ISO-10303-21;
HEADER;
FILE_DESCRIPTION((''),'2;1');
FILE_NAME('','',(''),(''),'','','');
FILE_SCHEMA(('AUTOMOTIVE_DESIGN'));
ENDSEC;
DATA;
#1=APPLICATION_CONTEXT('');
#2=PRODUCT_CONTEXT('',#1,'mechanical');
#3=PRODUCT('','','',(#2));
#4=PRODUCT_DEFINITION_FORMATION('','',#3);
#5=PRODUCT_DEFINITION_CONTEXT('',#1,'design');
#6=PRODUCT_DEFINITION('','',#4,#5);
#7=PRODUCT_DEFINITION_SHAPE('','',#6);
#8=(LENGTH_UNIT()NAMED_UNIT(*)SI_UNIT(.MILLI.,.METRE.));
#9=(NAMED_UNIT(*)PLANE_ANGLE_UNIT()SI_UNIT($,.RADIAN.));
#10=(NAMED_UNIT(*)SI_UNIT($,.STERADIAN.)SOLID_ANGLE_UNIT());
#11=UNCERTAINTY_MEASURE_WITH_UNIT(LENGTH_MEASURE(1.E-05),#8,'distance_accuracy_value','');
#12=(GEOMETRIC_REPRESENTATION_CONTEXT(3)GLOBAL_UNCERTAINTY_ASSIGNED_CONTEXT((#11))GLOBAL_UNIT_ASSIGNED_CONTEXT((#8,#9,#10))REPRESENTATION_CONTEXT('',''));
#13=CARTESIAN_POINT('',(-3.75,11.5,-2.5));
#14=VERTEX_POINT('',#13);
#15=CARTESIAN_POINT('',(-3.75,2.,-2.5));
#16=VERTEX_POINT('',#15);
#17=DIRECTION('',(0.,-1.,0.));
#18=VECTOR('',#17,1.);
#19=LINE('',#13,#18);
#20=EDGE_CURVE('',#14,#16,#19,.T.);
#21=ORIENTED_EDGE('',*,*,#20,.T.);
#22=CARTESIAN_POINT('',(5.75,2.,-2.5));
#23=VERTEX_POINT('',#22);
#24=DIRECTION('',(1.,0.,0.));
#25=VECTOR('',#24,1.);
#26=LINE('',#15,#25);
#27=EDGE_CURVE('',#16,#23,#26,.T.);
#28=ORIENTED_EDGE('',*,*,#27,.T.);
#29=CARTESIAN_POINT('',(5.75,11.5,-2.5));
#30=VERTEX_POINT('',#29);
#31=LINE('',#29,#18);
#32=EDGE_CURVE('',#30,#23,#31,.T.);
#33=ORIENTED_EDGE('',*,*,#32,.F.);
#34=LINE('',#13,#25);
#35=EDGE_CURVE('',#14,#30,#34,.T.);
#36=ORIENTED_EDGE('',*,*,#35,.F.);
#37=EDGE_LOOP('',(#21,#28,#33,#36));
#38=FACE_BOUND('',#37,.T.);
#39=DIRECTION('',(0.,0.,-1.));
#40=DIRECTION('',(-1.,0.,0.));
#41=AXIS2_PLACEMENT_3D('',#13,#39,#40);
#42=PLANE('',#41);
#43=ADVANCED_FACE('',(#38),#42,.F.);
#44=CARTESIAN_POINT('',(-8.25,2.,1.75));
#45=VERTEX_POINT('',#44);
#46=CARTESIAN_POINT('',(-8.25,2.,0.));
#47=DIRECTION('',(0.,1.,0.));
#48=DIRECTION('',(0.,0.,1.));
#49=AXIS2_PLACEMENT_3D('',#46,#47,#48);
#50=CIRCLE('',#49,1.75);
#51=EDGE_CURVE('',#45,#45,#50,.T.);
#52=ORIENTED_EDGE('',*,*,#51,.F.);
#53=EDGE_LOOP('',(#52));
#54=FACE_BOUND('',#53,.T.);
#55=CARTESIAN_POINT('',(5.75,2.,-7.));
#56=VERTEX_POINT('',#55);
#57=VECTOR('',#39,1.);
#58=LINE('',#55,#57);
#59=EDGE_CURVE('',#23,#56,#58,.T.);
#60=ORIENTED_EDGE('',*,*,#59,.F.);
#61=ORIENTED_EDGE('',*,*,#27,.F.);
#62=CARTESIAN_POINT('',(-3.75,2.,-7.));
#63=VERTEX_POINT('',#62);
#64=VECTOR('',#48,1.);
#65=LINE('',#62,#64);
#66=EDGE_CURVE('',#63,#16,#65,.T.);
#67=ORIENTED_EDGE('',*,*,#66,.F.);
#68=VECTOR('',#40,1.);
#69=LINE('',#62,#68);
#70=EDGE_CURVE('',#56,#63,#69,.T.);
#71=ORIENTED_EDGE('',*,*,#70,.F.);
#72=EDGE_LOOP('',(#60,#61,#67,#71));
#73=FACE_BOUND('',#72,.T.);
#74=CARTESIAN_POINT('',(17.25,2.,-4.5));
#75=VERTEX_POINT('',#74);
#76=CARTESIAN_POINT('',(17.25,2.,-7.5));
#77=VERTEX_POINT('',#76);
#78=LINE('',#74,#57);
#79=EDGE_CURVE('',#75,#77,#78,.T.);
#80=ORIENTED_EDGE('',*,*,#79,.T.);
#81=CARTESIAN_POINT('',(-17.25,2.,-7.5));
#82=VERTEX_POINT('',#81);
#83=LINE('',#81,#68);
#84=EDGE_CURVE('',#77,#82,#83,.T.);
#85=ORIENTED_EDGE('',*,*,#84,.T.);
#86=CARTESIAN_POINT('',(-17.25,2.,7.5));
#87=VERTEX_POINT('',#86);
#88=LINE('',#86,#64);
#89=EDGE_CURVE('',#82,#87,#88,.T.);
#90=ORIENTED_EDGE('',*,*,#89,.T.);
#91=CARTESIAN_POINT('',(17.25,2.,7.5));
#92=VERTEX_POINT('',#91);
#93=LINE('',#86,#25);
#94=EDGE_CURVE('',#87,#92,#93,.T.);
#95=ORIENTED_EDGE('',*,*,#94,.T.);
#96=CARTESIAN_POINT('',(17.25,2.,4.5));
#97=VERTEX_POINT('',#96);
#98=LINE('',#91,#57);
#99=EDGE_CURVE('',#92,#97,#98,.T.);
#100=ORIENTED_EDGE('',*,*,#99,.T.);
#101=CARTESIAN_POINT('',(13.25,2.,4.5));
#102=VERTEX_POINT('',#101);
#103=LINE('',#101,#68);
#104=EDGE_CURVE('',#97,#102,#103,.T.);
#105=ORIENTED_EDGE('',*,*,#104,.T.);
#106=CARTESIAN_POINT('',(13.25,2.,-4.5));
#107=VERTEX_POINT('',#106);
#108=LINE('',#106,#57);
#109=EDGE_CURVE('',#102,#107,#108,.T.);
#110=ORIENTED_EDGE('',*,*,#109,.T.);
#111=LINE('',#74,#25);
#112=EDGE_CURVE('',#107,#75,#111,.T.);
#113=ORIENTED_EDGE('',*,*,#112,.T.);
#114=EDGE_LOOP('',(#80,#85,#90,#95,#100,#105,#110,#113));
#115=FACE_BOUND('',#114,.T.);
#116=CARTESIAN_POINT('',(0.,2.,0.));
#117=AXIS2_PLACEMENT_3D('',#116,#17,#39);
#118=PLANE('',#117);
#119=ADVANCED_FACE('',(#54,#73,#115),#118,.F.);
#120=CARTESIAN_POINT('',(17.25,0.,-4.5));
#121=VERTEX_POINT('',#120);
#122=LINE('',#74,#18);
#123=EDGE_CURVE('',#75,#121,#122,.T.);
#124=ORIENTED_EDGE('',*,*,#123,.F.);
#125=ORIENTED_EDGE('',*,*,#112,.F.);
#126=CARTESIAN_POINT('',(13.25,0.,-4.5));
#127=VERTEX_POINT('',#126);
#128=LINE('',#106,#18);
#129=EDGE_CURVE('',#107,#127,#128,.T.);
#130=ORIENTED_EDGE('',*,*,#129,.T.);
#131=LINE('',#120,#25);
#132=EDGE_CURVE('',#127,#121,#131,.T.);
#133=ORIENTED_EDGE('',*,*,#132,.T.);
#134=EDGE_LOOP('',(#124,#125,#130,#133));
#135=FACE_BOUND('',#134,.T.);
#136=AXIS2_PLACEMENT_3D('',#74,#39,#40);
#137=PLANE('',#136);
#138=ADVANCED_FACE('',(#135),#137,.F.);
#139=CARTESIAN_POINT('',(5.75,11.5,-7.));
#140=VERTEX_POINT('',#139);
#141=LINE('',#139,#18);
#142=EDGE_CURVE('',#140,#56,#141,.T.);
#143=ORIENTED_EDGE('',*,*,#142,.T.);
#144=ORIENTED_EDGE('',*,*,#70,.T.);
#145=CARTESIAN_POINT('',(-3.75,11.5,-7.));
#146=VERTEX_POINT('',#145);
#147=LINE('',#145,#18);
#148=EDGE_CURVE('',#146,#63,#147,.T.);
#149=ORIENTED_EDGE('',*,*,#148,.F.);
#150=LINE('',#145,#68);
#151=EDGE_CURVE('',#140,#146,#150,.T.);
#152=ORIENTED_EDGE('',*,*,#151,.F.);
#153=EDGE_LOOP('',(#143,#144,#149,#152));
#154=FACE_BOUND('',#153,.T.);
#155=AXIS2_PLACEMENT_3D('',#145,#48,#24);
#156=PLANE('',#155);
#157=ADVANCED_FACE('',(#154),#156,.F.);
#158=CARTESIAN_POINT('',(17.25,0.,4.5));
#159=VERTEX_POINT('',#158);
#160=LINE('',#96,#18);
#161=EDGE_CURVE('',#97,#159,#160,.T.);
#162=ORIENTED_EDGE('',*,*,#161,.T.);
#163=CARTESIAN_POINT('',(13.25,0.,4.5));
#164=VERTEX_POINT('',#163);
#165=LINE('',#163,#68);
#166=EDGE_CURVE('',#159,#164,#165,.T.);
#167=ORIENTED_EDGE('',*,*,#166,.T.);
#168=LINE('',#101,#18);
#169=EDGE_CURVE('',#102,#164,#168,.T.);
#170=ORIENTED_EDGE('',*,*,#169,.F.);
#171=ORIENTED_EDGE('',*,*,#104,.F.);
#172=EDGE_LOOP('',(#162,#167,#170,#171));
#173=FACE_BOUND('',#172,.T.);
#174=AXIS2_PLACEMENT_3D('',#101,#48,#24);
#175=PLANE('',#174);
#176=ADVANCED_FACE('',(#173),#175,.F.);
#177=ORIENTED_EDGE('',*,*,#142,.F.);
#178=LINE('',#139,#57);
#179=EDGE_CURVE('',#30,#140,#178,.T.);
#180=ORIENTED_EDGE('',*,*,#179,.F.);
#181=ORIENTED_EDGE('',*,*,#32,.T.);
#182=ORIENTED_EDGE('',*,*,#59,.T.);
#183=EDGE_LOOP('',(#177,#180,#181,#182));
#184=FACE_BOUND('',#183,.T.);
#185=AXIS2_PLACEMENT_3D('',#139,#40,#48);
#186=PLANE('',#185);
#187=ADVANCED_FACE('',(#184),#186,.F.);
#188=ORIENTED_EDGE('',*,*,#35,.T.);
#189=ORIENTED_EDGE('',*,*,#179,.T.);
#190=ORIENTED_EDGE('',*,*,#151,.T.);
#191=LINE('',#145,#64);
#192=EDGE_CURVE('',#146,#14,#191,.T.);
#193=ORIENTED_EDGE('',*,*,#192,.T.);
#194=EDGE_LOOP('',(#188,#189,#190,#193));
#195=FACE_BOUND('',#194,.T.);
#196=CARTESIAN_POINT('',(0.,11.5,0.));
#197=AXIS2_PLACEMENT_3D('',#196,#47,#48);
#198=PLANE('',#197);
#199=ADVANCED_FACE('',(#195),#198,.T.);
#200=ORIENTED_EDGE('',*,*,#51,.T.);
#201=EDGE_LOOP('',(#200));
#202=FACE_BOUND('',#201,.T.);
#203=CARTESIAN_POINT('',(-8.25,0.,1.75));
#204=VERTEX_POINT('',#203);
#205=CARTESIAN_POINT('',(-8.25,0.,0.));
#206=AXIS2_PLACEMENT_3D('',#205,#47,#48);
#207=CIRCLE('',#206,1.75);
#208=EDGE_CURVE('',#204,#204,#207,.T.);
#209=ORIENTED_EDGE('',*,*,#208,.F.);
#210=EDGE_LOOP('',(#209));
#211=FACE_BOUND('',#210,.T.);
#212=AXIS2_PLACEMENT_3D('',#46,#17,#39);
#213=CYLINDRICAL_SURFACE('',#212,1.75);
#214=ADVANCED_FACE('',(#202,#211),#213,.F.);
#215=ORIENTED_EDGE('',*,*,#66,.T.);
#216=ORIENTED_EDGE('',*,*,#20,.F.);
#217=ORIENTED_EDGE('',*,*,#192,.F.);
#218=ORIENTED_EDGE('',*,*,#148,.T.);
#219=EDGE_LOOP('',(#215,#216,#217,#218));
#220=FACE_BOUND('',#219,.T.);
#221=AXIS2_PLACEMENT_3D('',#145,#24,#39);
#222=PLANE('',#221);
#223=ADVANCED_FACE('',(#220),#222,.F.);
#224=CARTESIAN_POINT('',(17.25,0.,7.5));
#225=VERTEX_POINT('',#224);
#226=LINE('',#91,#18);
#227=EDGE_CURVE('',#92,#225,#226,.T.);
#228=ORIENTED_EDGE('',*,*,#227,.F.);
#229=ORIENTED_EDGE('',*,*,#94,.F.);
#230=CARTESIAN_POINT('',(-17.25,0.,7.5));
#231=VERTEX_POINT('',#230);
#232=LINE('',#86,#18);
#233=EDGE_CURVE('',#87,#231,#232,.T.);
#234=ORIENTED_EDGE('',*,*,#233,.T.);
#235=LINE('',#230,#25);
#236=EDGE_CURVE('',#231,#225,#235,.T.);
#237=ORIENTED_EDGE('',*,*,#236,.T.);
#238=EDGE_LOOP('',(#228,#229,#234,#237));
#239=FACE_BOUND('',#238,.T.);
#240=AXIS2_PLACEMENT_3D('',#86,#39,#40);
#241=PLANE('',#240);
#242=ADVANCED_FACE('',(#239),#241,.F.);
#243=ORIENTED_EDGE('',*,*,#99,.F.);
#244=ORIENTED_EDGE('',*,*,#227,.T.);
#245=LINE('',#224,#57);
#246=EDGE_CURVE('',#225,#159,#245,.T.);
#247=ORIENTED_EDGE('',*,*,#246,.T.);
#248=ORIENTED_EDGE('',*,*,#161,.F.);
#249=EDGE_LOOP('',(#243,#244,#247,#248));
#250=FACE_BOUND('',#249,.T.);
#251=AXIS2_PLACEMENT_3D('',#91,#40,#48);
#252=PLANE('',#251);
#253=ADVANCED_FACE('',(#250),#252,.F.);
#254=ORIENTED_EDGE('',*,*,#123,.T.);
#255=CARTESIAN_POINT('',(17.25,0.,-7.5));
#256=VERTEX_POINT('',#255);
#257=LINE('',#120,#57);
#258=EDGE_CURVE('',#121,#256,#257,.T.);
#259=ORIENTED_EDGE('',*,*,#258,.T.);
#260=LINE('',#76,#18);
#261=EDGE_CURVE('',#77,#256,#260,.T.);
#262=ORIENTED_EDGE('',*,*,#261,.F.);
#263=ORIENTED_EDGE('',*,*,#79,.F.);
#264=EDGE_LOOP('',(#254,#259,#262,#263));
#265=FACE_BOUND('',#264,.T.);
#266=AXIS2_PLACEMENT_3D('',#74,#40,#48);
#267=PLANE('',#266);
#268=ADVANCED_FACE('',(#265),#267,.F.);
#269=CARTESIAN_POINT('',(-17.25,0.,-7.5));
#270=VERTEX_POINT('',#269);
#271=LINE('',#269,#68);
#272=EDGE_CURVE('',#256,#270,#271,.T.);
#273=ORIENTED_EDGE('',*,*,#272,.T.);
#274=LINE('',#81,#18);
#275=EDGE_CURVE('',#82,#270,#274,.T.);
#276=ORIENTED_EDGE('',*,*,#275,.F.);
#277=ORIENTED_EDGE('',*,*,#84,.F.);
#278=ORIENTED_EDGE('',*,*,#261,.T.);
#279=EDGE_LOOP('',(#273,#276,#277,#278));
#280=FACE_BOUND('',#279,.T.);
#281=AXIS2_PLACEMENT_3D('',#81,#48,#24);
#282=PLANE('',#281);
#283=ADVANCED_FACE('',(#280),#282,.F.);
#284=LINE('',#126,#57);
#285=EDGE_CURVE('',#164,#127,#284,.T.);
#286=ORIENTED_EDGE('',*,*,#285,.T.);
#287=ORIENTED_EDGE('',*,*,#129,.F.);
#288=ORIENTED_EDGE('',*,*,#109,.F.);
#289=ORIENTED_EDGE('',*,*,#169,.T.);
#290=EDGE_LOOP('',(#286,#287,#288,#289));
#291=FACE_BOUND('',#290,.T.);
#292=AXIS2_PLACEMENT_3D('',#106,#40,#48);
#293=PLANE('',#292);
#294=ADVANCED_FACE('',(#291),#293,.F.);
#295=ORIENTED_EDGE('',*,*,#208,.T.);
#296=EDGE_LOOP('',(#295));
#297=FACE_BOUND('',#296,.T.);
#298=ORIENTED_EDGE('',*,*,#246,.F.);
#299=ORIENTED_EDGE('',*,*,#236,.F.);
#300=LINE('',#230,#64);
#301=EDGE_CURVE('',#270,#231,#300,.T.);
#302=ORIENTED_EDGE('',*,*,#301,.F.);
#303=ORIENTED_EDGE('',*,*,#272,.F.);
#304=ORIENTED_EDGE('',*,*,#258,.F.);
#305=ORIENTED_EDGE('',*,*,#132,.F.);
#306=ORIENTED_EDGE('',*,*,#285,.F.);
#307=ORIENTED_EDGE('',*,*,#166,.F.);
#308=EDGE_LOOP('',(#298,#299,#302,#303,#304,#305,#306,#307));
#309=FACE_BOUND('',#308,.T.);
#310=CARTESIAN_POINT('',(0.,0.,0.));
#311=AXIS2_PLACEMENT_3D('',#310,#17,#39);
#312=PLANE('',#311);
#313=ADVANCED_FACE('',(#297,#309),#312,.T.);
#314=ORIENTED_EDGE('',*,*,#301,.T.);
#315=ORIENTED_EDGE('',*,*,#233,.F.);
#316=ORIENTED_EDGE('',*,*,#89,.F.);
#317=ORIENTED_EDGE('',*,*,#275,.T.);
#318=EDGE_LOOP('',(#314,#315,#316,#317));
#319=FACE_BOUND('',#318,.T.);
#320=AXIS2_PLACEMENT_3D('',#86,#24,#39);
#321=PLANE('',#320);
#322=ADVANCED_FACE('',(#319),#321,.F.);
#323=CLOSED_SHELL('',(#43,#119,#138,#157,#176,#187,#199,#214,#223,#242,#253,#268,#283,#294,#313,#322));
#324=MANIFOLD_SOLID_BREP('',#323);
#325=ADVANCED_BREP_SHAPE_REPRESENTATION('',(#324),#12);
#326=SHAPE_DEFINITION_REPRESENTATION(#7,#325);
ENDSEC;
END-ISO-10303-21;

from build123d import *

# Parameters (mm, degrees)
SKETCH1_R           = 1.75
BOSS_EXTRUDE1_DEPTH = 2
SKETCH2_W           = 9.5
SKETCH2_H           = 4.5
BOSS_EXTRUDE2_DEPTH = 9.5


with BuildPart() as part:
    # Sketch1 → Boss-Extrude1 (new body)
    with BuildSketch(Plane(origin=(0, 0, 0), x_dir=(1, 0, 0), z_dir=(0, 1, 0))):
        Polygon((17.25, 4.5), (13.25, 4.5), (13.25, -4.5), (17.25, -4.5), (17.25, -7.5), (-17.25, -7.5), (-17.25, 7.5), (17.25, 7.5), align=None)
        with Locations((-8.25, 0)):
            Circle(SKETCH1_R, mode=Mode.SUBTRACT)
    extrude(amount=BOSS_EXTRUDE1_DEPTH)

    # Sketch2 → Boss-Extrude2 (add)
    with BuildSketch(Plane(origin=(0, 2, 0), x_dir=(1, 0, 0), z_dir=(0, 1, 0))):
        with Locations((1, 4.75)):
            Rectangle(SKETCH2_W, SKETCH2_H)
    extrude(amount=BOSS_EXTRUDE2_DEPTH)


solid = part.part
